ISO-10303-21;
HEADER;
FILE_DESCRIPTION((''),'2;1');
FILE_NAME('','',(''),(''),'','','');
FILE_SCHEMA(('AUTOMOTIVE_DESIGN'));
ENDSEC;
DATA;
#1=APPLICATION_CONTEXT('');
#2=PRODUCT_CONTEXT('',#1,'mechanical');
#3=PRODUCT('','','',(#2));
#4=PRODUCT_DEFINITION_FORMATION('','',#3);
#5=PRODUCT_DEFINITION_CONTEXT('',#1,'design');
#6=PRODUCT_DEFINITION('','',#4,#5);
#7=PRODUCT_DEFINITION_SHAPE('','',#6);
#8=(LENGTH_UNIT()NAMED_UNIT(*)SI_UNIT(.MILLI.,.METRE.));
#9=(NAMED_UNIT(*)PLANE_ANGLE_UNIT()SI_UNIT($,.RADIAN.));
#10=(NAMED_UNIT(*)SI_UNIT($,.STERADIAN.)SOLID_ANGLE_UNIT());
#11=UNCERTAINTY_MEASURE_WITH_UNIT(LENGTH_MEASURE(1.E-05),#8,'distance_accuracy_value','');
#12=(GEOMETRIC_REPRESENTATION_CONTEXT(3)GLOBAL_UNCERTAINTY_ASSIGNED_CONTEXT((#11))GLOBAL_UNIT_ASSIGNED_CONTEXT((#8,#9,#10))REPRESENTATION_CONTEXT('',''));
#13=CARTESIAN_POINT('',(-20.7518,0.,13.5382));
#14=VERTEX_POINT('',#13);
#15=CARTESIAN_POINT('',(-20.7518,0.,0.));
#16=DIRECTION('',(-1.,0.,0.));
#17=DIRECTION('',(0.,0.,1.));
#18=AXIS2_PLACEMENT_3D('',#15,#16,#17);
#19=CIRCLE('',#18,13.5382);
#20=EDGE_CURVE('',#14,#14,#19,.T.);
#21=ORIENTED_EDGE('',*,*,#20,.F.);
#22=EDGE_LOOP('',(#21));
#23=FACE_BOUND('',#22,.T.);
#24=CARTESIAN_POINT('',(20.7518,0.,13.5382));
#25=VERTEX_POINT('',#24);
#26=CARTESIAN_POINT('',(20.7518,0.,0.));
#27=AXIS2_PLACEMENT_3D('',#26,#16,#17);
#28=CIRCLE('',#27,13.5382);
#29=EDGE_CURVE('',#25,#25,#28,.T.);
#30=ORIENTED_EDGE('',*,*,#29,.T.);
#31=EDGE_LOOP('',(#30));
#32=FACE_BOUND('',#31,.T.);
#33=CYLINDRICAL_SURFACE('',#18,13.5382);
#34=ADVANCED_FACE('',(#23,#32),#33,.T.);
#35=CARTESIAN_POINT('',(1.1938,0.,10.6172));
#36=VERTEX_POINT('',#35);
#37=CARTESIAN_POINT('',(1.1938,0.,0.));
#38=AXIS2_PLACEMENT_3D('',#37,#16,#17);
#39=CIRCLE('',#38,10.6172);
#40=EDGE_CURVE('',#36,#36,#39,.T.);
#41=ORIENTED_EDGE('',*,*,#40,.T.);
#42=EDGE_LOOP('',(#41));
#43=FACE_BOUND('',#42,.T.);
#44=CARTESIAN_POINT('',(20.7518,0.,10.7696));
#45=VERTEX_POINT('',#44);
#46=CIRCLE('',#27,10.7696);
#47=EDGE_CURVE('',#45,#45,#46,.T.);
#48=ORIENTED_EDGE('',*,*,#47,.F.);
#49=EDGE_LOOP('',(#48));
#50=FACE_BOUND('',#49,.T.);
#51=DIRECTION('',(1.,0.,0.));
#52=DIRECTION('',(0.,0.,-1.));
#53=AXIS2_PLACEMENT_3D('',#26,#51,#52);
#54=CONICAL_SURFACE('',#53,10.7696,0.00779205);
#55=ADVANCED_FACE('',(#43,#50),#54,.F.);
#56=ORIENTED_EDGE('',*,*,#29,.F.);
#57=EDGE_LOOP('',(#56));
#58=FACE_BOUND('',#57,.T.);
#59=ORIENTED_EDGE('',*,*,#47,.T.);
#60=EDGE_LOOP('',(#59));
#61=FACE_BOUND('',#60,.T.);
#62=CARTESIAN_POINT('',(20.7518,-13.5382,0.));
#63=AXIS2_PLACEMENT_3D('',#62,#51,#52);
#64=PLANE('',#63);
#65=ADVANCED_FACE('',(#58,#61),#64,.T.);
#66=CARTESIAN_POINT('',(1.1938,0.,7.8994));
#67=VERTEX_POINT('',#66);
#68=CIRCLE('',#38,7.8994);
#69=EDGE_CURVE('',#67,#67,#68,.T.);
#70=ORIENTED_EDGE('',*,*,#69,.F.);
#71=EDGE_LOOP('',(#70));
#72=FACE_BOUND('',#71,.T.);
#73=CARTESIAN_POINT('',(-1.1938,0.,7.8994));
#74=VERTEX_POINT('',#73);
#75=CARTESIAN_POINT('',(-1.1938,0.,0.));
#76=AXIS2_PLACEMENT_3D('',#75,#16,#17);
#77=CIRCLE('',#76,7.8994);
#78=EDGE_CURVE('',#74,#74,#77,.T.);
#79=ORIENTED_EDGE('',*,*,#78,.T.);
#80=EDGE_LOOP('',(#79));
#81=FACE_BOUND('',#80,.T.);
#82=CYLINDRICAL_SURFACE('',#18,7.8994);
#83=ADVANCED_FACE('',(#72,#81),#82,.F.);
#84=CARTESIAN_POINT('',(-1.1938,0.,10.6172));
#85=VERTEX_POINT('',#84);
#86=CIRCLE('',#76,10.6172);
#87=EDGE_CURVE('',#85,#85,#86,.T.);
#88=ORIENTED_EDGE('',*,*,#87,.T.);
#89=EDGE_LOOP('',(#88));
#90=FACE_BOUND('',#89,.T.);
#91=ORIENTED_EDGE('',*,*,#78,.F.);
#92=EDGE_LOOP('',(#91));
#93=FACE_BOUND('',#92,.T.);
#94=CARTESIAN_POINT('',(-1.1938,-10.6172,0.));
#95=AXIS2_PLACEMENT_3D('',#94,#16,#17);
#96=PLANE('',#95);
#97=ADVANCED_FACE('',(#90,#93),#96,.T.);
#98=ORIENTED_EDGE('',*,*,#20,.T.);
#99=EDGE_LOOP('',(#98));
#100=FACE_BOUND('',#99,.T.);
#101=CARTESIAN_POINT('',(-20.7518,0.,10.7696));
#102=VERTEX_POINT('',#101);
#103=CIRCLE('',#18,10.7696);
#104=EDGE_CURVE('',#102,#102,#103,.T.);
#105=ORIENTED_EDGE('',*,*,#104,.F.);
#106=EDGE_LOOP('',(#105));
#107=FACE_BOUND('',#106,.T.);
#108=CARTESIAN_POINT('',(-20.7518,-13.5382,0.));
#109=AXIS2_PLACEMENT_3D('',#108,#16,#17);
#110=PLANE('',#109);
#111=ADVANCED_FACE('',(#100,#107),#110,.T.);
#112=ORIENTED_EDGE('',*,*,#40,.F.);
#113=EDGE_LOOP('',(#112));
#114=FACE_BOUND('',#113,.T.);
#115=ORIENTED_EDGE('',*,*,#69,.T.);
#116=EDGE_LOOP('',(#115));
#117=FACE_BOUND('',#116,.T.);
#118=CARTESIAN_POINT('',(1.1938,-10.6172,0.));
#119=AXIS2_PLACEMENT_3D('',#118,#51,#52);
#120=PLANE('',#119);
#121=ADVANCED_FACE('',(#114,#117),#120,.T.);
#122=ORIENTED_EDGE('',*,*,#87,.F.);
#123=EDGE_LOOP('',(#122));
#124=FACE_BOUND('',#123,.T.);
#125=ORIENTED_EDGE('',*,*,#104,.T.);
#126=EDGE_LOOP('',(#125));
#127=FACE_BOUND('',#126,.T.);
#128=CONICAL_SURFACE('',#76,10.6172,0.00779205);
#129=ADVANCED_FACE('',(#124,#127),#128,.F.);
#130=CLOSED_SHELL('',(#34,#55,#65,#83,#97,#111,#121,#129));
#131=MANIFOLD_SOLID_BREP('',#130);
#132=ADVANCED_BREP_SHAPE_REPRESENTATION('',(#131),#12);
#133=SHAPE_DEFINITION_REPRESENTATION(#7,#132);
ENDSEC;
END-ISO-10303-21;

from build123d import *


with BuildPart() as part:
    # Sketch1 → Revolve1 (revolve)
    with BuildSketch(Plane.XY, mode=Mode.PRIVATE) as revolve1_sk:
        Polygon((-1.1938, -7.8994), (1.1938, -7.8994), (1.1938, -10.6172), (20.7518, -10.7696), (20.7518, -13.5382), (-20.7518, -13.5382), (-20.7518, -10.7696), (-1.1938, -10.6172), align=None)
    revolve(revolve1_sk.sketch.rotate(Axis((-20.7518, 0, 0), (1, 0, 0)), 270), axis=Axis((-20.7518, 0, 0), (1, 0, 0)))


solid = part.part
